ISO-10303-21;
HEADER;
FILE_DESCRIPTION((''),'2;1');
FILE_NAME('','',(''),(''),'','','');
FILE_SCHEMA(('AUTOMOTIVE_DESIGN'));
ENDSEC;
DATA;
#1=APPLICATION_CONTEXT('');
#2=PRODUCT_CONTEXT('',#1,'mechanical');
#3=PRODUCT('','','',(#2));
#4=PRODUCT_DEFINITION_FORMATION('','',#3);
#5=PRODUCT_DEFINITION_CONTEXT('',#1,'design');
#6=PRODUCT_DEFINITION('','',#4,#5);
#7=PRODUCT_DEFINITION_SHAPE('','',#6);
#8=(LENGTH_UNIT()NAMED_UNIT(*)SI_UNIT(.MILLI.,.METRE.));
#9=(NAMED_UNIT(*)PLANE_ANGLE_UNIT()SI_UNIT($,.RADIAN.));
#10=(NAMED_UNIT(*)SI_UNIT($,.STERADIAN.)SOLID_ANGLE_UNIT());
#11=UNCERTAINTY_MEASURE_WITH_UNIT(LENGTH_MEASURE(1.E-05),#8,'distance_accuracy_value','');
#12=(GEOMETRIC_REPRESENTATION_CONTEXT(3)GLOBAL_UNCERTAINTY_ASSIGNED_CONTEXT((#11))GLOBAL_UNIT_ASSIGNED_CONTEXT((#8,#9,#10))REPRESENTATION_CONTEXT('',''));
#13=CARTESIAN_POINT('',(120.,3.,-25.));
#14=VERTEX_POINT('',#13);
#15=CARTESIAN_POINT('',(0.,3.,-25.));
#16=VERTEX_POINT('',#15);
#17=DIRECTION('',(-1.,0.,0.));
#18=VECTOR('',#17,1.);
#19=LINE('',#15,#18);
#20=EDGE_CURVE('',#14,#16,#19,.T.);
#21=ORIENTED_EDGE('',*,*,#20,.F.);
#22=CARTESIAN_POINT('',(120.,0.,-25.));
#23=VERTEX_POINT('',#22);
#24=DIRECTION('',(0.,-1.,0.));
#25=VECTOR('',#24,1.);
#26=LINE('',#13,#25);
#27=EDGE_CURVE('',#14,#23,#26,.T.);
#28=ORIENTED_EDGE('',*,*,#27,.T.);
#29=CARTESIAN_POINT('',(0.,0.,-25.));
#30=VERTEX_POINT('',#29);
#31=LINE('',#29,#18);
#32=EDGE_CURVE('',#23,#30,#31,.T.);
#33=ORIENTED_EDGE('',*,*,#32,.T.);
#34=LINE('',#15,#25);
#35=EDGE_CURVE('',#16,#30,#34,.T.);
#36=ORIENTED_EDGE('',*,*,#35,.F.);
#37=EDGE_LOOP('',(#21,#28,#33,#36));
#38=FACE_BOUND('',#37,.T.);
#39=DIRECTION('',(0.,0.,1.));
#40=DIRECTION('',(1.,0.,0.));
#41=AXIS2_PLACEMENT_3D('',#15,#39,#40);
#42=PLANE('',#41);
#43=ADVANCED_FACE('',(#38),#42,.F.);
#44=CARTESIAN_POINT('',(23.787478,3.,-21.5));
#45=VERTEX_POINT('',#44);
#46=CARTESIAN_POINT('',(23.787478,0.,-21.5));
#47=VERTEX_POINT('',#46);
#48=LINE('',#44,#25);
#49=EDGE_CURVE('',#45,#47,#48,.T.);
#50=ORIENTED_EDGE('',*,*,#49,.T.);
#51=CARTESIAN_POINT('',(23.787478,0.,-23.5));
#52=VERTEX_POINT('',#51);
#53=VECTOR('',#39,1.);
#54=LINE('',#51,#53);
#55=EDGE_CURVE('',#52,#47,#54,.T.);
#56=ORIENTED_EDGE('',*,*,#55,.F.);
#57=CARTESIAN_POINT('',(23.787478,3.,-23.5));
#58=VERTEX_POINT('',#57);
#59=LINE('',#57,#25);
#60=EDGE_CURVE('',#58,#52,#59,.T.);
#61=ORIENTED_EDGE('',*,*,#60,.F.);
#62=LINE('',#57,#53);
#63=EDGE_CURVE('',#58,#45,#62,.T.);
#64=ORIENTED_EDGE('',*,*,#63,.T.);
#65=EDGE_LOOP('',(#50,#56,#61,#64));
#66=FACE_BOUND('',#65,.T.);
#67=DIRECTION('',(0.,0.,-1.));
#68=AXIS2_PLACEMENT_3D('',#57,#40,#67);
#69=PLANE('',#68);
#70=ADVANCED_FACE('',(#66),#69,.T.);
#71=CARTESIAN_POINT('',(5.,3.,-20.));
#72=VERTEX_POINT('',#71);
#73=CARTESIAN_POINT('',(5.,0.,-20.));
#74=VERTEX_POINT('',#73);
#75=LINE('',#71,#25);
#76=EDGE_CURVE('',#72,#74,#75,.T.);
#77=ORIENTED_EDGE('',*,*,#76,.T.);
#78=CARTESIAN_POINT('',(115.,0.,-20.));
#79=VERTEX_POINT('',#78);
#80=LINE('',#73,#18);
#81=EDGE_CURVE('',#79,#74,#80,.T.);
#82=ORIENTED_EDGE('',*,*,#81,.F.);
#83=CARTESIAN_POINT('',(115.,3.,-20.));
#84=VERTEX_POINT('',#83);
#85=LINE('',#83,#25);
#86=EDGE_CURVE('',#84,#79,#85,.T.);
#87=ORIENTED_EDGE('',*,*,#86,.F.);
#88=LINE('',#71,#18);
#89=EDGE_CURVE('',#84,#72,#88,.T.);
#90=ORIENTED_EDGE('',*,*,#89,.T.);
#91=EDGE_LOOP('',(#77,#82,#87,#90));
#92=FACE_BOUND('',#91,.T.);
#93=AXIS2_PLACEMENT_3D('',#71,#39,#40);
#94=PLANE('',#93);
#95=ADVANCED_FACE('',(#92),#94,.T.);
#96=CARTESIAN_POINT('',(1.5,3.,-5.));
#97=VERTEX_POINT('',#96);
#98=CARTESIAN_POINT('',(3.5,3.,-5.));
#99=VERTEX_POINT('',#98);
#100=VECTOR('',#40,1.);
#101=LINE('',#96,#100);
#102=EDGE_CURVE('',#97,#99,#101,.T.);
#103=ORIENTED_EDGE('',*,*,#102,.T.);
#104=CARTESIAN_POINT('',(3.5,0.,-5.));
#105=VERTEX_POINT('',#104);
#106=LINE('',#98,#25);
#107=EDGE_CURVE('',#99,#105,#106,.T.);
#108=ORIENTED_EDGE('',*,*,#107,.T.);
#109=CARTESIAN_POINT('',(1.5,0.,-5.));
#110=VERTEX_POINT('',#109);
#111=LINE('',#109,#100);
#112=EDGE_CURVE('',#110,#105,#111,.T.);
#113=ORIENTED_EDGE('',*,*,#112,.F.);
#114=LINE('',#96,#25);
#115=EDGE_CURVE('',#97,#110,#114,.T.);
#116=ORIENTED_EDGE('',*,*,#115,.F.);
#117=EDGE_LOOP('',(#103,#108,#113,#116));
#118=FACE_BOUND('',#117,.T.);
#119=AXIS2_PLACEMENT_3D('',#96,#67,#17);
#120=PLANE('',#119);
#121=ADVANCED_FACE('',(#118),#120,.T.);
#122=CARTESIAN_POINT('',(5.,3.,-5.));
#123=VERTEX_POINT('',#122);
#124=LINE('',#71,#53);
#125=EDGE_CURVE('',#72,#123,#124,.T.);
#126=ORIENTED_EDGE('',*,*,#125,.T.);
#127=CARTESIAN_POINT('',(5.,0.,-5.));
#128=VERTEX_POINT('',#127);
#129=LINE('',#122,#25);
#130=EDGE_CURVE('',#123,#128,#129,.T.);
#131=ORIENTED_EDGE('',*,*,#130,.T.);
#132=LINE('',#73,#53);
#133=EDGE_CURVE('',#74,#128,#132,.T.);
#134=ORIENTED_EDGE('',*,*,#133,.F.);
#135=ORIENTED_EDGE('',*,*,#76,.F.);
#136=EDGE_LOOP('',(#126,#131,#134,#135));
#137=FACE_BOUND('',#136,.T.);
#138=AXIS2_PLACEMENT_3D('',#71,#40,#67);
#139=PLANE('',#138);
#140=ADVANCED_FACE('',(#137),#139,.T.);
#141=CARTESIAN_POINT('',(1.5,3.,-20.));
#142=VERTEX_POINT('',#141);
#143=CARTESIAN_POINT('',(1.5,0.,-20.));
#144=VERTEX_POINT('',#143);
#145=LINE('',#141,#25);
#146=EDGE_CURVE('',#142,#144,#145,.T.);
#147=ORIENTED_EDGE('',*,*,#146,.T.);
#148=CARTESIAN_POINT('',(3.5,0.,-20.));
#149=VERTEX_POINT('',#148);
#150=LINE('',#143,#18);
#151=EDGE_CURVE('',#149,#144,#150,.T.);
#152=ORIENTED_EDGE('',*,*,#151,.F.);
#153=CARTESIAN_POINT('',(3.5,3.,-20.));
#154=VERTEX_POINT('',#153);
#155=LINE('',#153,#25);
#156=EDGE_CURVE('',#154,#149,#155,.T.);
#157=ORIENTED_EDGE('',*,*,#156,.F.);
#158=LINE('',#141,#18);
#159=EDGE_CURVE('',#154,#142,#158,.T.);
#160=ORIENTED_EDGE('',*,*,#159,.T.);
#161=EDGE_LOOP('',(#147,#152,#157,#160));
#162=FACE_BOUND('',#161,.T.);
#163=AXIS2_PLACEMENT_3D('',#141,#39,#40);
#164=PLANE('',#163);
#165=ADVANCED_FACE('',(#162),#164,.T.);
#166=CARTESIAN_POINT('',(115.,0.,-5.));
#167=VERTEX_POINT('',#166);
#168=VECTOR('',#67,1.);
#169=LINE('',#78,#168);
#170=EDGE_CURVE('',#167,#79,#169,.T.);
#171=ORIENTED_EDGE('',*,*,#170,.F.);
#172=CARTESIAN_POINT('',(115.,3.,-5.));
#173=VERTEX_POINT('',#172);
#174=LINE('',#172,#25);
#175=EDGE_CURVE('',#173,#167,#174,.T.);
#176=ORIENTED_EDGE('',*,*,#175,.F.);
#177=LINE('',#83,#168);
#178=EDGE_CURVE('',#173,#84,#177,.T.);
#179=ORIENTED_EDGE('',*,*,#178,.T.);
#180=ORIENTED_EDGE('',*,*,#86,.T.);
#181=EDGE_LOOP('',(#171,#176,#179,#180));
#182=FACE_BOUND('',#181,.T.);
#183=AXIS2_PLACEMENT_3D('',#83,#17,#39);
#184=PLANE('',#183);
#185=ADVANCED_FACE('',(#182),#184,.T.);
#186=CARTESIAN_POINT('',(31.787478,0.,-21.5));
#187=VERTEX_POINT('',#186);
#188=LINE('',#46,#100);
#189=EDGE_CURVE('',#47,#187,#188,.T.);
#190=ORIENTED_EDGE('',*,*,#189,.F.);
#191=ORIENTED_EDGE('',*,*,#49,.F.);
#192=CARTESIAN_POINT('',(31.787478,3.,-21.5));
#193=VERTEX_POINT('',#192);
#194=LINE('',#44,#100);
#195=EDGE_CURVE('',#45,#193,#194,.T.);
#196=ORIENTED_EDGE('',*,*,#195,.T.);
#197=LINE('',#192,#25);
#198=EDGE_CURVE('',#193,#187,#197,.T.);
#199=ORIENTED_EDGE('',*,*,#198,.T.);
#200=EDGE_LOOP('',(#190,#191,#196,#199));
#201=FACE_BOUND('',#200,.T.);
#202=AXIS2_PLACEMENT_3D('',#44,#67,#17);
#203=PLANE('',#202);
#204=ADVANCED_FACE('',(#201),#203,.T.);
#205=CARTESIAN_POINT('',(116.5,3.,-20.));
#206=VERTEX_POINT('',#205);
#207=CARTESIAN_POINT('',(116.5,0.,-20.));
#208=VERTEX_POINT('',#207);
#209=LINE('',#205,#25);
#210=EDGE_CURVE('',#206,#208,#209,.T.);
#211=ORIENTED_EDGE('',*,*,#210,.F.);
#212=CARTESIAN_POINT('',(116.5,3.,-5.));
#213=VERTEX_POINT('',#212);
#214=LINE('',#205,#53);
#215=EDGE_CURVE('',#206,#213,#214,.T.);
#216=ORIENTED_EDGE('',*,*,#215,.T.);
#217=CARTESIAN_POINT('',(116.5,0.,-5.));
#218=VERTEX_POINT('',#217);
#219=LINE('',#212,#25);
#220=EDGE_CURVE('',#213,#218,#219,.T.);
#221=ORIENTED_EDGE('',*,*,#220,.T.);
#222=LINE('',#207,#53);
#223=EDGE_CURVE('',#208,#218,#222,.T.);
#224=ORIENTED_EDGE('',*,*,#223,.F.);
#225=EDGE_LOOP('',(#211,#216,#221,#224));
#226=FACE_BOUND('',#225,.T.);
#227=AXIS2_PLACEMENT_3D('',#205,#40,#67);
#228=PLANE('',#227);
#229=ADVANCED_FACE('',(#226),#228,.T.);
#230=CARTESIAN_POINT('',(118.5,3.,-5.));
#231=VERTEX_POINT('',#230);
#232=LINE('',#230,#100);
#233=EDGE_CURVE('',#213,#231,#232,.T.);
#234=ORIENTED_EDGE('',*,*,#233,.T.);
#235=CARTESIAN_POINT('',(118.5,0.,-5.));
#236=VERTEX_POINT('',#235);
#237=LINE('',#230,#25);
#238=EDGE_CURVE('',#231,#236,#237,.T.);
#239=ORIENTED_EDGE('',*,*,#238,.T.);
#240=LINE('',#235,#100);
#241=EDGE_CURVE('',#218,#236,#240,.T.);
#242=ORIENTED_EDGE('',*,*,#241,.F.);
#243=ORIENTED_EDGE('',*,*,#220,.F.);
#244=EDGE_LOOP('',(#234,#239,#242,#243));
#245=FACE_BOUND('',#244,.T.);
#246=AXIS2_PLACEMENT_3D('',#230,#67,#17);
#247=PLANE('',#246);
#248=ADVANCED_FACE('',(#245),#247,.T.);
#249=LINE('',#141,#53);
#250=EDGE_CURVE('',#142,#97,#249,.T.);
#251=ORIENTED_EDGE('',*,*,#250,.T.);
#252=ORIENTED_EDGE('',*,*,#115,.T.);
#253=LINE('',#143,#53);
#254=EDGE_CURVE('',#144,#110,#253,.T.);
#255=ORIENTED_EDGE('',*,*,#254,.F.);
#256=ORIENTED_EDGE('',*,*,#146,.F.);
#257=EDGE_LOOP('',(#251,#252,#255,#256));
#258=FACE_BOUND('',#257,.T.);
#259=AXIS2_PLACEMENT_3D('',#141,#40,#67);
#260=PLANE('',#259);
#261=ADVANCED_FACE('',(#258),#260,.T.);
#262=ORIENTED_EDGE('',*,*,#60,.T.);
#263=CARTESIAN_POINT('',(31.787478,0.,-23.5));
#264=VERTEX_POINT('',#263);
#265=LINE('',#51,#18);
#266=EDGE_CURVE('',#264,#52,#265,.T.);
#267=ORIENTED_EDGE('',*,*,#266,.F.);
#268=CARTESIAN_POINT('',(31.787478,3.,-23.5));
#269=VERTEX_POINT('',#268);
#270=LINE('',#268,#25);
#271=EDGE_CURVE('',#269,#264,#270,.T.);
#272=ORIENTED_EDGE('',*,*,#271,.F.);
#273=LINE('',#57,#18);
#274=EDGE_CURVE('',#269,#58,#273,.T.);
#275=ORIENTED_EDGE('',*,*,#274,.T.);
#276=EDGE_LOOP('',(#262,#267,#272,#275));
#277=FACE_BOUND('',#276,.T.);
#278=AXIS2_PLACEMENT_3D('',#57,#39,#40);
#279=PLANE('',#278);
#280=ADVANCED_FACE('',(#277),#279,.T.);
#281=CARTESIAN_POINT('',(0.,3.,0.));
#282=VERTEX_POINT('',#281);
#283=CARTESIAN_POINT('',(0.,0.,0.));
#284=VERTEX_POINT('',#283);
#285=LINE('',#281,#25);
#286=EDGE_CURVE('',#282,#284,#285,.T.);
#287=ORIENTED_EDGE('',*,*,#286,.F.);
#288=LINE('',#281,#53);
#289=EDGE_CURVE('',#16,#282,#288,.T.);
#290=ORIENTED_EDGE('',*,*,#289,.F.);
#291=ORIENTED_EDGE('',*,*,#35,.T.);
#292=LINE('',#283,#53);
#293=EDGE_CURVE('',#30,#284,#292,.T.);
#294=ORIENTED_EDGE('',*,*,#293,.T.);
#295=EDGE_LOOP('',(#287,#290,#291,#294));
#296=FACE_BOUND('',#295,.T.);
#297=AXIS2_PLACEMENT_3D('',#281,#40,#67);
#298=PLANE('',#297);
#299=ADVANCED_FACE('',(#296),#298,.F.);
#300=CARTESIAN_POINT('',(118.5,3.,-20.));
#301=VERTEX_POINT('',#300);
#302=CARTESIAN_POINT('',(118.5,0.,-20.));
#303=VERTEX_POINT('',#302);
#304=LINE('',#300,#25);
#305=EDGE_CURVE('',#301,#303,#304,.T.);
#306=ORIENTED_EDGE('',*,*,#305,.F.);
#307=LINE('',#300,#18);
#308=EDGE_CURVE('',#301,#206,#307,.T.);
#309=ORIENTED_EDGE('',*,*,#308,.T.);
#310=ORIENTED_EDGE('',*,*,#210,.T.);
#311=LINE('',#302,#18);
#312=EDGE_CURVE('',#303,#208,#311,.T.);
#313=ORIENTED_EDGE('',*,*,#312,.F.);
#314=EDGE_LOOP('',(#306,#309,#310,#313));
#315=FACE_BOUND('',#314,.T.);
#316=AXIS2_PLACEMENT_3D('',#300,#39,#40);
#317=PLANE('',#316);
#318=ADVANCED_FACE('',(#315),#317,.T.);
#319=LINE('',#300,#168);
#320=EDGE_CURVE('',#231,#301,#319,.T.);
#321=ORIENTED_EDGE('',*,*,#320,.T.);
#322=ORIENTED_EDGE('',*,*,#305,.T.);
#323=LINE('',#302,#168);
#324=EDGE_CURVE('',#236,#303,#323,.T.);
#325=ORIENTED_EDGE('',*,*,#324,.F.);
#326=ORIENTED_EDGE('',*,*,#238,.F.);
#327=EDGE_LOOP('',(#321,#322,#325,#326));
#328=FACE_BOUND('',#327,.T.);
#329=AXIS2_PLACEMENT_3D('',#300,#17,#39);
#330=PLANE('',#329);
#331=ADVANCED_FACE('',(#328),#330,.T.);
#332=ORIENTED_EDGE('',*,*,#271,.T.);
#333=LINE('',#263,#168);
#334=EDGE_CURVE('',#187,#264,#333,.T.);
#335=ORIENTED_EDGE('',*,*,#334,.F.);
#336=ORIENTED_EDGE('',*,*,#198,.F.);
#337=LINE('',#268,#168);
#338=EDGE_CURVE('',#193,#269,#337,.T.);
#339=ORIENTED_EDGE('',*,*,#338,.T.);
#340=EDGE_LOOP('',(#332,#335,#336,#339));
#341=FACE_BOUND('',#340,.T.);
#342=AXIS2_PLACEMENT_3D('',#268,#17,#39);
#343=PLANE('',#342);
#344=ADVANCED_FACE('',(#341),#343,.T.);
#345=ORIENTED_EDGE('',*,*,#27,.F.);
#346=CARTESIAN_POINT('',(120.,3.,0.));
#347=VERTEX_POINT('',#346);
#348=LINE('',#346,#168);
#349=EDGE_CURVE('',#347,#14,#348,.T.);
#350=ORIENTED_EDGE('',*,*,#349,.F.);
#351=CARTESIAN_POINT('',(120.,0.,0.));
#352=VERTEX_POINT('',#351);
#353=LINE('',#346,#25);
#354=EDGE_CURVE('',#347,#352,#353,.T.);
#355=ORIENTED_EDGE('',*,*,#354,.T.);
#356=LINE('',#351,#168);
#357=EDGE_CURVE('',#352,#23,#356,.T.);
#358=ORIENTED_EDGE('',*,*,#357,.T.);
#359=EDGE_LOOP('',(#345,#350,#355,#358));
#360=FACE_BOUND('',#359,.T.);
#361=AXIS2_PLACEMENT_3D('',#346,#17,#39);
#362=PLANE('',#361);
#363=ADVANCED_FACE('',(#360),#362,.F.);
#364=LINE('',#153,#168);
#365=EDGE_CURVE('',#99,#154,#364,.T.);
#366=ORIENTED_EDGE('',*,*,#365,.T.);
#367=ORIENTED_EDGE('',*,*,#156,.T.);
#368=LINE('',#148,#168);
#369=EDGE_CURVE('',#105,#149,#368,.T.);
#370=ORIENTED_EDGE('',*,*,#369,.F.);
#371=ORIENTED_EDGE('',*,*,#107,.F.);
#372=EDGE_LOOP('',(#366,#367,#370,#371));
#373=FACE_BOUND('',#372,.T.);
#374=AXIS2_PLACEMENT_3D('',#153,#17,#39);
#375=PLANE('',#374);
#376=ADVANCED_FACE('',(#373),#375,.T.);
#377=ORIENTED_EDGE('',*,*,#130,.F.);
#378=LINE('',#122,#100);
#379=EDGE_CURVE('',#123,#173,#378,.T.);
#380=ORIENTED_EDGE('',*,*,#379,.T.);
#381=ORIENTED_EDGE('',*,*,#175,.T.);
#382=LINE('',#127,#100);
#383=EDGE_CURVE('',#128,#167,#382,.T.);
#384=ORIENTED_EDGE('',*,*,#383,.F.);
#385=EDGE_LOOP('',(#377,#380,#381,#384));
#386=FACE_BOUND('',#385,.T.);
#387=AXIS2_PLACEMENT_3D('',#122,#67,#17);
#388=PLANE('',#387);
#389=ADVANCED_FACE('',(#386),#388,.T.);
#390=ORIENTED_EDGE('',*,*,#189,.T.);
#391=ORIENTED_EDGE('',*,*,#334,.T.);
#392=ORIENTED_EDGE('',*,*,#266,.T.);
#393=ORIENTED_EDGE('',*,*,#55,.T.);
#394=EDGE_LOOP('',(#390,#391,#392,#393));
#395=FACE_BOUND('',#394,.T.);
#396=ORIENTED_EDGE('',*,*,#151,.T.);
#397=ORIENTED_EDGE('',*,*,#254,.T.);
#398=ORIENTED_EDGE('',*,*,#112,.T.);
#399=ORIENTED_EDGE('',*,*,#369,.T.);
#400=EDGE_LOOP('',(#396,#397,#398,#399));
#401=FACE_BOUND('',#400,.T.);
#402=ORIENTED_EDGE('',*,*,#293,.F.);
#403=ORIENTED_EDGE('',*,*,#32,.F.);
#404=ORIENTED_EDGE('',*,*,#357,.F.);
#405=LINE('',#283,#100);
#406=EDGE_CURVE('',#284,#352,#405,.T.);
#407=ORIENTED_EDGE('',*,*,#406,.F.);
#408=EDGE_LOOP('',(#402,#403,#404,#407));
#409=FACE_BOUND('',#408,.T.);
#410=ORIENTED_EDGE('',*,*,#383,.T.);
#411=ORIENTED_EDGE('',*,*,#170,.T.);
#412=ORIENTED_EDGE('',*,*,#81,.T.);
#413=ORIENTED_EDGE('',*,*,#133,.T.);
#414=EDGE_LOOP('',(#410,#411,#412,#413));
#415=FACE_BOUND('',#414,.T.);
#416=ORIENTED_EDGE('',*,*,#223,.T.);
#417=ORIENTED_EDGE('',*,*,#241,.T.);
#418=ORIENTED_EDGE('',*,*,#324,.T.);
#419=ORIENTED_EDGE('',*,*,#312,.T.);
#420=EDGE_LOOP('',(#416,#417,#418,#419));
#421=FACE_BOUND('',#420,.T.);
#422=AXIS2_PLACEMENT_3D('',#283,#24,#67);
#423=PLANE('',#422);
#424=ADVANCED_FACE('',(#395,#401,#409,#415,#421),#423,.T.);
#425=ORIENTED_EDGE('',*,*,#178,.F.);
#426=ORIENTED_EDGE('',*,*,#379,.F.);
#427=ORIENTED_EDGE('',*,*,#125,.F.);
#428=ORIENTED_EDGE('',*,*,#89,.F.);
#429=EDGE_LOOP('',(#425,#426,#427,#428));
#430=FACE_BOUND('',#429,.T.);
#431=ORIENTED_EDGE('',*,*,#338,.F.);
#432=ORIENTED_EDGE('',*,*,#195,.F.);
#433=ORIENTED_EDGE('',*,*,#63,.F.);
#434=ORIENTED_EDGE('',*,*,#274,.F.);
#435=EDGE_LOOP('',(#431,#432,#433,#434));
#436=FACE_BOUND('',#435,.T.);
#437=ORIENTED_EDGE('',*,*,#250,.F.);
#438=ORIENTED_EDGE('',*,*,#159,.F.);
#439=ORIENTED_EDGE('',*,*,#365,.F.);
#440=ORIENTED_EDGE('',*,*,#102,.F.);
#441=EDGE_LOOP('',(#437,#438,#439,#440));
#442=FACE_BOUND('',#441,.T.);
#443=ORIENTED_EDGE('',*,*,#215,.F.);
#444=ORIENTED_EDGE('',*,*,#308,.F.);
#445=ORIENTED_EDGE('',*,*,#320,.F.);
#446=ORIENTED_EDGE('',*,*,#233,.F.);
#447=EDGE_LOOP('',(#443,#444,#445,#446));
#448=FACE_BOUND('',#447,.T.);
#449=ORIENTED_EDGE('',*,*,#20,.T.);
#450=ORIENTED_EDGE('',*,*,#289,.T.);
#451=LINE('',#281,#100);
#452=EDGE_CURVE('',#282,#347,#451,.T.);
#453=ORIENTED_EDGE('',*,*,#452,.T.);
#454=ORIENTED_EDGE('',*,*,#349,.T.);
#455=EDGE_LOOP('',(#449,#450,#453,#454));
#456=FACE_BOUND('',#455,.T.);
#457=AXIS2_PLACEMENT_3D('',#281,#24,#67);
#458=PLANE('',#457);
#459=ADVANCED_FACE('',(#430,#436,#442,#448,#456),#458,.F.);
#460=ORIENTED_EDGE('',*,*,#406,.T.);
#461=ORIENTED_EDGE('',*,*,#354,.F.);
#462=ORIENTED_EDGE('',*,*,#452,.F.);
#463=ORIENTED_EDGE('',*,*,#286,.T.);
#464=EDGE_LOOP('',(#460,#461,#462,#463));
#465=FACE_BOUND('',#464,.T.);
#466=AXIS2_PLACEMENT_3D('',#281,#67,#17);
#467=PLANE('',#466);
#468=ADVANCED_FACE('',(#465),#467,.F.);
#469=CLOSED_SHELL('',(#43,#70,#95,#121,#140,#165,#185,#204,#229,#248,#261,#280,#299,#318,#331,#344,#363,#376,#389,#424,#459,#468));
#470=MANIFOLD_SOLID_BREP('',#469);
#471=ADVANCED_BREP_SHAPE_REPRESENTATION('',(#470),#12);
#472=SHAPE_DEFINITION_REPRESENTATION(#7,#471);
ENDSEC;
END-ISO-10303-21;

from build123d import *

# Parameters (mm, degrees)
SKETCH1_W           = 120
SKETCH1_H           = 25
SKETCH1_W_2         = 110
SKETCH1_H_2         = 15
SKETCH1_W_3         = 2
SKETCH1_W_4         = 8
SKETCH1_H_3         = 2
BOSS_EXTRUDE1_DEPTH = 3


with BuildPart() as part:
    # Sketch1 → Boss-Extrude1 (new body)
    with BuildSketch(Plane(origin=(0, 0, 0), x_dir=(1, 0, 0), z_dir=(0, 1, 0))):
        with Locations((60, 12.5)):
            Rectangle(SKETCH1_W, SKETCH1_H)
        with Locations((60, 12.5)):
            Rectangle(SKETCH1_W_2, SKETCH1_H_2, mode=Mode.SUBTRACT)
        with Locations((2.5, 12.5)):
            Rectangle(SKETCH1_W_3, SKETCH1_H_2, mode=Mode.SUBTRACT)
        with Locations((117.5, 12.5)):
            Rectangle(SKETCH1_W_3, SKETCH1_H_2, mode=Mode.SUBTRACT)
        with Locations((27.787478482, 22.5)):
            Rectangle(SKETCH1_W_4, SKETCH1_H_3, mode=Mode.SUBTRACT)
    extrude(amount=BOSS_EXTRUDE1_DEPTH)


solid = part.part
